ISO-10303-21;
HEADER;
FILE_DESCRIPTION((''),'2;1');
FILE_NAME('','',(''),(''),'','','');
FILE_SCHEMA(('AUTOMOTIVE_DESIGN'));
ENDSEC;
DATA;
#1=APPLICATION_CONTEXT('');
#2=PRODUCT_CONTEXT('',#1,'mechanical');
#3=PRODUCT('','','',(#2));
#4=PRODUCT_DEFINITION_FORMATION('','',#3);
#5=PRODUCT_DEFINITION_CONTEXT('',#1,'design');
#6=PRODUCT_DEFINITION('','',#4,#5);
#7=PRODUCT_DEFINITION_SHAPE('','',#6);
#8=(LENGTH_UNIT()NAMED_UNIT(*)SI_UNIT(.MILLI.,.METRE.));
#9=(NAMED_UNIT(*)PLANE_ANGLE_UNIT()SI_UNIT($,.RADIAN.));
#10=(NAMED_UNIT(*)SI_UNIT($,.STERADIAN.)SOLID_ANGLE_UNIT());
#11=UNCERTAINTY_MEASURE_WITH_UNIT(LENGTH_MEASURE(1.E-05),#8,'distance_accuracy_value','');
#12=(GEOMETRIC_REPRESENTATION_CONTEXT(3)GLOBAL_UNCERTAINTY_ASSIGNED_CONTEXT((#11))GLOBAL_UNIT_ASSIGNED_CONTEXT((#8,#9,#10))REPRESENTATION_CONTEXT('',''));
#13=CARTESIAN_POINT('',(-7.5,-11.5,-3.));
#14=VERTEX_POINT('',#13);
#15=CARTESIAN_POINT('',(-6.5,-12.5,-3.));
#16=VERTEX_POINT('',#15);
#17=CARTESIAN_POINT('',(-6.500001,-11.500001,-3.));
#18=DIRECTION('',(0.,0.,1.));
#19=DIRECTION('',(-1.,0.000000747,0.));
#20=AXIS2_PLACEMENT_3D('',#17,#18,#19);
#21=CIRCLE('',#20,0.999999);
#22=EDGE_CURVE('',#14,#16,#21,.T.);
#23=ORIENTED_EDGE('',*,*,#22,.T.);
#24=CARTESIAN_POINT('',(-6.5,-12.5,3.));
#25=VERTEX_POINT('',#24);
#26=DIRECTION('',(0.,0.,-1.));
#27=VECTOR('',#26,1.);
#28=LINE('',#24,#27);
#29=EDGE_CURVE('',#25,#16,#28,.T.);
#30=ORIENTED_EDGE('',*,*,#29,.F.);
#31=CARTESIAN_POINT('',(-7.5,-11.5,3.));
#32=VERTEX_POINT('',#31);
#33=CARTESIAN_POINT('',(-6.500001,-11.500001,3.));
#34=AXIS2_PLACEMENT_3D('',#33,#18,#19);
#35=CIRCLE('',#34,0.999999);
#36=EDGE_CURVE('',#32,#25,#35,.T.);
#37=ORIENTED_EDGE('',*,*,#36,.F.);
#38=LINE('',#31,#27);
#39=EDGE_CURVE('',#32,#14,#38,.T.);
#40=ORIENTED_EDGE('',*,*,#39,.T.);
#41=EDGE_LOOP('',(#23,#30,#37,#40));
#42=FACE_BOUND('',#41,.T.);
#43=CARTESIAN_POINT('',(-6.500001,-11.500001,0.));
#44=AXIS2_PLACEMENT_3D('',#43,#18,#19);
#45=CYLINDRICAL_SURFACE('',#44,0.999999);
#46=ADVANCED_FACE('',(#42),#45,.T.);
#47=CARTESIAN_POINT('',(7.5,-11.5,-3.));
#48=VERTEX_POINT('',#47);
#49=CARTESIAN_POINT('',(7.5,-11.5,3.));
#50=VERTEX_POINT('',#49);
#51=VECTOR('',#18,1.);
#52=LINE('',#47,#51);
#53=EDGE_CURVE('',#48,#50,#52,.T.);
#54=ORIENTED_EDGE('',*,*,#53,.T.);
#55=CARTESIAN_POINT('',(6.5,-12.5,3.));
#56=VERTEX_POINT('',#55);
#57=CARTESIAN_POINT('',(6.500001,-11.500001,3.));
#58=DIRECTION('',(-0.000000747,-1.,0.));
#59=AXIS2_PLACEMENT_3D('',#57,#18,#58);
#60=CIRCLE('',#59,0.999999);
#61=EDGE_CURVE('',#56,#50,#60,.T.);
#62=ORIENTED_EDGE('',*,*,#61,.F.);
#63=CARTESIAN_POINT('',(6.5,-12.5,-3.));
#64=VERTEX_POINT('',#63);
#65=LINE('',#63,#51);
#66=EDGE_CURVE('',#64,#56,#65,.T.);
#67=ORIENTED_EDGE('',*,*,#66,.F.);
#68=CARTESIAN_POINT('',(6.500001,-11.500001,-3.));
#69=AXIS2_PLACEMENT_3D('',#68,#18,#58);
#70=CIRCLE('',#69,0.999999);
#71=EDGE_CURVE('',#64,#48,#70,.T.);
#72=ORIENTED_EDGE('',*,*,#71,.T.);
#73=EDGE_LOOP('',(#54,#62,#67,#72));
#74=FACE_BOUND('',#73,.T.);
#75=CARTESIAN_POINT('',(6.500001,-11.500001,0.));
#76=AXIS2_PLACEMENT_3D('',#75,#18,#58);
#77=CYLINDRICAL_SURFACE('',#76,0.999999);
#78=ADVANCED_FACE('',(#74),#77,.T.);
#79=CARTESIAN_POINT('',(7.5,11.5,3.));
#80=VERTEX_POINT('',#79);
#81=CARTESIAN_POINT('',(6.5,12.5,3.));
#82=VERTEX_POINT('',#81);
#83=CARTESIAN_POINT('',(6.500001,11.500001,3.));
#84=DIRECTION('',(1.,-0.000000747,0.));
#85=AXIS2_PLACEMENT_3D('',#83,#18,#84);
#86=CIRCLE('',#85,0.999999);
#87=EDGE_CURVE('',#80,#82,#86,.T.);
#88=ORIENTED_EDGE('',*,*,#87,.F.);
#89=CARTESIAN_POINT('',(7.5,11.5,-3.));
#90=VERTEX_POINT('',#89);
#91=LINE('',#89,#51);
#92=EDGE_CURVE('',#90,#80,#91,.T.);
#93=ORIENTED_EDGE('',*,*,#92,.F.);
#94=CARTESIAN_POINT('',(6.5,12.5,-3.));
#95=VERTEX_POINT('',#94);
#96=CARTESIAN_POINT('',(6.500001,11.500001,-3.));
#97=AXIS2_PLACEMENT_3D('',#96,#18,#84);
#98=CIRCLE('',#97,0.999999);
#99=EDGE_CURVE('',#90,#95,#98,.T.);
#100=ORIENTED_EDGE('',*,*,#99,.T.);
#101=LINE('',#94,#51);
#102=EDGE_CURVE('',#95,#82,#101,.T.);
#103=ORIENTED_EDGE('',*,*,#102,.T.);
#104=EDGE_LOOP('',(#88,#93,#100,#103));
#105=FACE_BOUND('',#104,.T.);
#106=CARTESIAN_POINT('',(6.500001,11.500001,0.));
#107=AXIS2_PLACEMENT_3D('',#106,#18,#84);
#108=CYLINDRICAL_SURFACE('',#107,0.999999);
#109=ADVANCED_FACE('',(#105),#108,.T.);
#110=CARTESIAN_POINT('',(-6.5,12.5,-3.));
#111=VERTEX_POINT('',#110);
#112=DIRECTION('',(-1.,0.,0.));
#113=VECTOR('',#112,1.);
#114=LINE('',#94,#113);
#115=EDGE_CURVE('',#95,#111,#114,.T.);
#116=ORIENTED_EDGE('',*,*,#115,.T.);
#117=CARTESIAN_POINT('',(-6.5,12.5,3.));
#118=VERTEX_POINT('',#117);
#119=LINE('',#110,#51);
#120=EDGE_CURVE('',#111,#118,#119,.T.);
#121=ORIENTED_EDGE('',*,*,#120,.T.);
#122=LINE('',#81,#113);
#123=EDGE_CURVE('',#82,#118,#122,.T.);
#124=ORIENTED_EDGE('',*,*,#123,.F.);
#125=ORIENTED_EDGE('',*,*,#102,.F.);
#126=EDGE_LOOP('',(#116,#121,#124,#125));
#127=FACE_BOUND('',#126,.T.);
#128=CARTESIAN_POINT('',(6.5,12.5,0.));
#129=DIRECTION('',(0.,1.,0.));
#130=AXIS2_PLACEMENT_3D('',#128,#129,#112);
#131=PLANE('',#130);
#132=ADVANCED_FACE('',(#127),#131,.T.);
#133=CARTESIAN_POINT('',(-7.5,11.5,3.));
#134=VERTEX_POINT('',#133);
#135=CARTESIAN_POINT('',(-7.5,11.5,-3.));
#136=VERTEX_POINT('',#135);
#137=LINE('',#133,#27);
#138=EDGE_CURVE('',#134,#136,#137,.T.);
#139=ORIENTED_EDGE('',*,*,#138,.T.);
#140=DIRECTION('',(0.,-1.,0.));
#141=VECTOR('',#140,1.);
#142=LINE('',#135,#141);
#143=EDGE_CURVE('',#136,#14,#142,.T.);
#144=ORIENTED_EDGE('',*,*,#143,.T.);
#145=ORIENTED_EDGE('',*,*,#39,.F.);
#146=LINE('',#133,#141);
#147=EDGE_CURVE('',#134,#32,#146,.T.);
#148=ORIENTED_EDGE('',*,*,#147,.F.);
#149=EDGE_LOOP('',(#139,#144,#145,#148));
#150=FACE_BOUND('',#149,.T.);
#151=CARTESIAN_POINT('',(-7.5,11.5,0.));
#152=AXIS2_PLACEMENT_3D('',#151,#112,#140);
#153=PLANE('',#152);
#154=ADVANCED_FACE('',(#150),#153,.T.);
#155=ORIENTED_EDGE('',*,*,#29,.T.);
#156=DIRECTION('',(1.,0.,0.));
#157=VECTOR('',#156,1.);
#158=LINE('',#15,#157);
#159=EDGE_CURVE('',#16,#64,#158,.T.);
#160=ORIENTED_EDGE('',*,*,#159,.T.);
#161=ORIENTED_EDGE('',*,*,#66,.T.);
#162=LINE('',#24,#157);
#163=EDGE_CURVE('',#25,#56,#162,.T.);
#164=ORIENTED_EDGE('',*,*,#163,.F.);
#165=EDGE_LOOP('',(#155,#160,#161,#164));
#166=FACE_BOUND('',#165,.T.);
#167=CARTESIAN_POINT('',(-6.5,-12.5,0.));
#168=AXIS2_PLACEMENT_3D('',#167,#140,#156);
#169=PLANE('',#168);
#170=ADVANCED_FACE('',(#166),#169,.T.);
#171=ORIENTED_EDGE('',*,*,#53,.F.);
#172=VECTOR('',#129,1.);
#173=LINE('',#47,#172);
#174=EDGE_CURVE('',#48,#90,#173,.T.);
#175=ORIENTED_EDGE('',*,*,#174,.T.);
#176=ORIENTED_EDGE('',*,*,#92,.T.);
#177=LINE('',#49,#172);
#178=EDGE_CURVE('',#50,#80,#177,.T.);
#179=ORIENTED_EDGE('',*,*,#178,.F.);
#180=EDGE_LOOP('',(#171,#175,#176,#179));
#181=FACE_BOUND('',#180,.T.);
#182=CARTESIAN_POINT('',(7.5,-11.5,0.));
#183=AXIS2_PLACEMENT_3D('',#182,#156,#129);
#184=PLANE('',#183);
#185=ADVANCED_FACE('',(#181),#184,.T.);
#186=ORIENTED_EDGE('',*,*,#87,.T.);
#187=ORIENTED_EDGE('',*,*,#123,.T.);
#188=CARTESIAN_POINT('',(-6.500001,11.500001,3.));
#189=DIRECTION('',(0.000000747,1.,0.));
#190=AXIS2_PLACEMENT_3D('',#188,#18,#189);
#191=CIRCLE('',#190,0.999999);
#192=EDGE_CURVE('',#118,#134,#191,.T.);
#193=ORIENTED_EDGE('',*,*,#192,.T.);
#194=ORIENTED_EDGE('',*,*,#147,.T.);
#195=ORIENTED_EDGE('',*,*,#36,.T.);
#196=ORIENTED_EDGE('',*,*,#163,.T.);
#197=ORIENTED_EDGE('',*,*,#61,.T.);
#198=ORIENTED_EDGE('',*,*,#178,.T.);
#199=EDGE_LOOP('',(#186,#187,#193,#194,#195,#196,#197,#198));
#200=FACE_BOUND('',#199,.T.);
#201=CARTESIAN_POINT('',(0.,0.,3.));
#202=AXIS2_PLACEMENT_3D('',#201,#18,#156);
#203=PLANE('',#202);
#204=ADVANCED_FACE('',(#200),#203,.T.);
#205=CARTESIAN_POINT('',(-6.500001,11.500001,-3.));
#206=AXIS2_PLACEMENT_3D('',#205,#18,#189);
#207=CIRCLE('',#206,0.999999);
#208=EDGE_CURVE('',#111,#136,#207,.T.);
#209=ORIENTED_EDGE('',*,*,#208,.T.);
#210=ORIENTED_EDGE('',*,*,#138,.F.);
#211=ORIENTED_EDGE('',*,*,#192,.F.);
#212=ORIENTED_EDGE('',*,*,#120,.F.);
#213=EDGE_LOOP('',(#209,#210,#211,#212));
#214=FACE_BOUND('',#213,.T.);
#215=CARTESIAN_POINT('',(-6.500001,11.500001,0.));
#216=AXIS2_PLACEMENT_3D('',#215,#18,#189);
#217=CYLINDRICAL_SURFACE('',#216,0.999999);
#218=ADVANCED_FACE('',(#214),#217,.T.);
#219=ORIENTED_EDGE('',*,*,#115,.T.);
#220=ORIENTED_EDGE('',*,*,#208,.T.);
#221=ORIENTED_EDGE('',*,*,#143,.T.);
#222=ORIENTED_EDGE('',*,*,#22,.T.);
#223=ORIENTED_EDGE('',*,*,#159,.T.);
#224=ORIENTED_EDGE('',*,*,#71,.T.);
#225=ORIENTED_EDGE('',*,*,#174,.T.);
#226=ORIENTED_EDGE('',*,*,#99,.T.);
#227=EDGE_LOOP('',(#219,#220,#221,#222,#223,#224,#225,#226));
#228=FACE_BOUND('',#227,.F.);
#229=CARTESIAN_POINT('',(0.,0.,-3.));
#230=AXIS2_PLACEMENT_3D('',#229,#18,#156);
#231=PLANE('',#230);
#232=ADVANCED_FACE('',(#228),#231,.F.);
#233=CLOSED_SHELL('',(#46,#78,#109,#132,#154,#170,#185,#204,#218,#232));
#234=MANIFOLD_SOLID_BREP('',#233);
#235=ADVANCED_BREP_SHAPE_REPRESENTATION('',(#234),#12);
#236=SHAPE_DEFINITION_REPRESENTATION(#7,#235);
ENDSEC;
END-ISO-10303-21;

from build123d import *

# Parameters (mm, degrees)
F1_DEPTH = 3


with BuildPart() as f1:
    # F0 (on Top) → F1 (new body, symmetric)
    with BuildSketch(Plane.XY):
        with BuildLine():
            Line((-6.5, -12.5), (6.5, -12.5))
            ThreePointArc((6.5, -12.5), (7.207107, -12.207107), (7.5, -11.5))
            Line((7.5, -11.5), (7.5, 11.5))
            ThreePointArc((7.5, 11.5), (7.207107, 12.207107), (6.5, 12.5))
            Line((6.5, 12.5), (-6.5, 12.5))
            ThreePointArc((-6.5, 12.5), (-7.207107, 12.207107), (-7.5, 11.5))
            Line((-7.5, 11.5), (-7.5, -11.5))
            ThreePointArc((-7.5, -11.5), (-7.207107, -12.207107), (-6.5, -12.5))
        make_face()
    extrude(amount=F1_DEPTH, both=True)


solid = f1.part
